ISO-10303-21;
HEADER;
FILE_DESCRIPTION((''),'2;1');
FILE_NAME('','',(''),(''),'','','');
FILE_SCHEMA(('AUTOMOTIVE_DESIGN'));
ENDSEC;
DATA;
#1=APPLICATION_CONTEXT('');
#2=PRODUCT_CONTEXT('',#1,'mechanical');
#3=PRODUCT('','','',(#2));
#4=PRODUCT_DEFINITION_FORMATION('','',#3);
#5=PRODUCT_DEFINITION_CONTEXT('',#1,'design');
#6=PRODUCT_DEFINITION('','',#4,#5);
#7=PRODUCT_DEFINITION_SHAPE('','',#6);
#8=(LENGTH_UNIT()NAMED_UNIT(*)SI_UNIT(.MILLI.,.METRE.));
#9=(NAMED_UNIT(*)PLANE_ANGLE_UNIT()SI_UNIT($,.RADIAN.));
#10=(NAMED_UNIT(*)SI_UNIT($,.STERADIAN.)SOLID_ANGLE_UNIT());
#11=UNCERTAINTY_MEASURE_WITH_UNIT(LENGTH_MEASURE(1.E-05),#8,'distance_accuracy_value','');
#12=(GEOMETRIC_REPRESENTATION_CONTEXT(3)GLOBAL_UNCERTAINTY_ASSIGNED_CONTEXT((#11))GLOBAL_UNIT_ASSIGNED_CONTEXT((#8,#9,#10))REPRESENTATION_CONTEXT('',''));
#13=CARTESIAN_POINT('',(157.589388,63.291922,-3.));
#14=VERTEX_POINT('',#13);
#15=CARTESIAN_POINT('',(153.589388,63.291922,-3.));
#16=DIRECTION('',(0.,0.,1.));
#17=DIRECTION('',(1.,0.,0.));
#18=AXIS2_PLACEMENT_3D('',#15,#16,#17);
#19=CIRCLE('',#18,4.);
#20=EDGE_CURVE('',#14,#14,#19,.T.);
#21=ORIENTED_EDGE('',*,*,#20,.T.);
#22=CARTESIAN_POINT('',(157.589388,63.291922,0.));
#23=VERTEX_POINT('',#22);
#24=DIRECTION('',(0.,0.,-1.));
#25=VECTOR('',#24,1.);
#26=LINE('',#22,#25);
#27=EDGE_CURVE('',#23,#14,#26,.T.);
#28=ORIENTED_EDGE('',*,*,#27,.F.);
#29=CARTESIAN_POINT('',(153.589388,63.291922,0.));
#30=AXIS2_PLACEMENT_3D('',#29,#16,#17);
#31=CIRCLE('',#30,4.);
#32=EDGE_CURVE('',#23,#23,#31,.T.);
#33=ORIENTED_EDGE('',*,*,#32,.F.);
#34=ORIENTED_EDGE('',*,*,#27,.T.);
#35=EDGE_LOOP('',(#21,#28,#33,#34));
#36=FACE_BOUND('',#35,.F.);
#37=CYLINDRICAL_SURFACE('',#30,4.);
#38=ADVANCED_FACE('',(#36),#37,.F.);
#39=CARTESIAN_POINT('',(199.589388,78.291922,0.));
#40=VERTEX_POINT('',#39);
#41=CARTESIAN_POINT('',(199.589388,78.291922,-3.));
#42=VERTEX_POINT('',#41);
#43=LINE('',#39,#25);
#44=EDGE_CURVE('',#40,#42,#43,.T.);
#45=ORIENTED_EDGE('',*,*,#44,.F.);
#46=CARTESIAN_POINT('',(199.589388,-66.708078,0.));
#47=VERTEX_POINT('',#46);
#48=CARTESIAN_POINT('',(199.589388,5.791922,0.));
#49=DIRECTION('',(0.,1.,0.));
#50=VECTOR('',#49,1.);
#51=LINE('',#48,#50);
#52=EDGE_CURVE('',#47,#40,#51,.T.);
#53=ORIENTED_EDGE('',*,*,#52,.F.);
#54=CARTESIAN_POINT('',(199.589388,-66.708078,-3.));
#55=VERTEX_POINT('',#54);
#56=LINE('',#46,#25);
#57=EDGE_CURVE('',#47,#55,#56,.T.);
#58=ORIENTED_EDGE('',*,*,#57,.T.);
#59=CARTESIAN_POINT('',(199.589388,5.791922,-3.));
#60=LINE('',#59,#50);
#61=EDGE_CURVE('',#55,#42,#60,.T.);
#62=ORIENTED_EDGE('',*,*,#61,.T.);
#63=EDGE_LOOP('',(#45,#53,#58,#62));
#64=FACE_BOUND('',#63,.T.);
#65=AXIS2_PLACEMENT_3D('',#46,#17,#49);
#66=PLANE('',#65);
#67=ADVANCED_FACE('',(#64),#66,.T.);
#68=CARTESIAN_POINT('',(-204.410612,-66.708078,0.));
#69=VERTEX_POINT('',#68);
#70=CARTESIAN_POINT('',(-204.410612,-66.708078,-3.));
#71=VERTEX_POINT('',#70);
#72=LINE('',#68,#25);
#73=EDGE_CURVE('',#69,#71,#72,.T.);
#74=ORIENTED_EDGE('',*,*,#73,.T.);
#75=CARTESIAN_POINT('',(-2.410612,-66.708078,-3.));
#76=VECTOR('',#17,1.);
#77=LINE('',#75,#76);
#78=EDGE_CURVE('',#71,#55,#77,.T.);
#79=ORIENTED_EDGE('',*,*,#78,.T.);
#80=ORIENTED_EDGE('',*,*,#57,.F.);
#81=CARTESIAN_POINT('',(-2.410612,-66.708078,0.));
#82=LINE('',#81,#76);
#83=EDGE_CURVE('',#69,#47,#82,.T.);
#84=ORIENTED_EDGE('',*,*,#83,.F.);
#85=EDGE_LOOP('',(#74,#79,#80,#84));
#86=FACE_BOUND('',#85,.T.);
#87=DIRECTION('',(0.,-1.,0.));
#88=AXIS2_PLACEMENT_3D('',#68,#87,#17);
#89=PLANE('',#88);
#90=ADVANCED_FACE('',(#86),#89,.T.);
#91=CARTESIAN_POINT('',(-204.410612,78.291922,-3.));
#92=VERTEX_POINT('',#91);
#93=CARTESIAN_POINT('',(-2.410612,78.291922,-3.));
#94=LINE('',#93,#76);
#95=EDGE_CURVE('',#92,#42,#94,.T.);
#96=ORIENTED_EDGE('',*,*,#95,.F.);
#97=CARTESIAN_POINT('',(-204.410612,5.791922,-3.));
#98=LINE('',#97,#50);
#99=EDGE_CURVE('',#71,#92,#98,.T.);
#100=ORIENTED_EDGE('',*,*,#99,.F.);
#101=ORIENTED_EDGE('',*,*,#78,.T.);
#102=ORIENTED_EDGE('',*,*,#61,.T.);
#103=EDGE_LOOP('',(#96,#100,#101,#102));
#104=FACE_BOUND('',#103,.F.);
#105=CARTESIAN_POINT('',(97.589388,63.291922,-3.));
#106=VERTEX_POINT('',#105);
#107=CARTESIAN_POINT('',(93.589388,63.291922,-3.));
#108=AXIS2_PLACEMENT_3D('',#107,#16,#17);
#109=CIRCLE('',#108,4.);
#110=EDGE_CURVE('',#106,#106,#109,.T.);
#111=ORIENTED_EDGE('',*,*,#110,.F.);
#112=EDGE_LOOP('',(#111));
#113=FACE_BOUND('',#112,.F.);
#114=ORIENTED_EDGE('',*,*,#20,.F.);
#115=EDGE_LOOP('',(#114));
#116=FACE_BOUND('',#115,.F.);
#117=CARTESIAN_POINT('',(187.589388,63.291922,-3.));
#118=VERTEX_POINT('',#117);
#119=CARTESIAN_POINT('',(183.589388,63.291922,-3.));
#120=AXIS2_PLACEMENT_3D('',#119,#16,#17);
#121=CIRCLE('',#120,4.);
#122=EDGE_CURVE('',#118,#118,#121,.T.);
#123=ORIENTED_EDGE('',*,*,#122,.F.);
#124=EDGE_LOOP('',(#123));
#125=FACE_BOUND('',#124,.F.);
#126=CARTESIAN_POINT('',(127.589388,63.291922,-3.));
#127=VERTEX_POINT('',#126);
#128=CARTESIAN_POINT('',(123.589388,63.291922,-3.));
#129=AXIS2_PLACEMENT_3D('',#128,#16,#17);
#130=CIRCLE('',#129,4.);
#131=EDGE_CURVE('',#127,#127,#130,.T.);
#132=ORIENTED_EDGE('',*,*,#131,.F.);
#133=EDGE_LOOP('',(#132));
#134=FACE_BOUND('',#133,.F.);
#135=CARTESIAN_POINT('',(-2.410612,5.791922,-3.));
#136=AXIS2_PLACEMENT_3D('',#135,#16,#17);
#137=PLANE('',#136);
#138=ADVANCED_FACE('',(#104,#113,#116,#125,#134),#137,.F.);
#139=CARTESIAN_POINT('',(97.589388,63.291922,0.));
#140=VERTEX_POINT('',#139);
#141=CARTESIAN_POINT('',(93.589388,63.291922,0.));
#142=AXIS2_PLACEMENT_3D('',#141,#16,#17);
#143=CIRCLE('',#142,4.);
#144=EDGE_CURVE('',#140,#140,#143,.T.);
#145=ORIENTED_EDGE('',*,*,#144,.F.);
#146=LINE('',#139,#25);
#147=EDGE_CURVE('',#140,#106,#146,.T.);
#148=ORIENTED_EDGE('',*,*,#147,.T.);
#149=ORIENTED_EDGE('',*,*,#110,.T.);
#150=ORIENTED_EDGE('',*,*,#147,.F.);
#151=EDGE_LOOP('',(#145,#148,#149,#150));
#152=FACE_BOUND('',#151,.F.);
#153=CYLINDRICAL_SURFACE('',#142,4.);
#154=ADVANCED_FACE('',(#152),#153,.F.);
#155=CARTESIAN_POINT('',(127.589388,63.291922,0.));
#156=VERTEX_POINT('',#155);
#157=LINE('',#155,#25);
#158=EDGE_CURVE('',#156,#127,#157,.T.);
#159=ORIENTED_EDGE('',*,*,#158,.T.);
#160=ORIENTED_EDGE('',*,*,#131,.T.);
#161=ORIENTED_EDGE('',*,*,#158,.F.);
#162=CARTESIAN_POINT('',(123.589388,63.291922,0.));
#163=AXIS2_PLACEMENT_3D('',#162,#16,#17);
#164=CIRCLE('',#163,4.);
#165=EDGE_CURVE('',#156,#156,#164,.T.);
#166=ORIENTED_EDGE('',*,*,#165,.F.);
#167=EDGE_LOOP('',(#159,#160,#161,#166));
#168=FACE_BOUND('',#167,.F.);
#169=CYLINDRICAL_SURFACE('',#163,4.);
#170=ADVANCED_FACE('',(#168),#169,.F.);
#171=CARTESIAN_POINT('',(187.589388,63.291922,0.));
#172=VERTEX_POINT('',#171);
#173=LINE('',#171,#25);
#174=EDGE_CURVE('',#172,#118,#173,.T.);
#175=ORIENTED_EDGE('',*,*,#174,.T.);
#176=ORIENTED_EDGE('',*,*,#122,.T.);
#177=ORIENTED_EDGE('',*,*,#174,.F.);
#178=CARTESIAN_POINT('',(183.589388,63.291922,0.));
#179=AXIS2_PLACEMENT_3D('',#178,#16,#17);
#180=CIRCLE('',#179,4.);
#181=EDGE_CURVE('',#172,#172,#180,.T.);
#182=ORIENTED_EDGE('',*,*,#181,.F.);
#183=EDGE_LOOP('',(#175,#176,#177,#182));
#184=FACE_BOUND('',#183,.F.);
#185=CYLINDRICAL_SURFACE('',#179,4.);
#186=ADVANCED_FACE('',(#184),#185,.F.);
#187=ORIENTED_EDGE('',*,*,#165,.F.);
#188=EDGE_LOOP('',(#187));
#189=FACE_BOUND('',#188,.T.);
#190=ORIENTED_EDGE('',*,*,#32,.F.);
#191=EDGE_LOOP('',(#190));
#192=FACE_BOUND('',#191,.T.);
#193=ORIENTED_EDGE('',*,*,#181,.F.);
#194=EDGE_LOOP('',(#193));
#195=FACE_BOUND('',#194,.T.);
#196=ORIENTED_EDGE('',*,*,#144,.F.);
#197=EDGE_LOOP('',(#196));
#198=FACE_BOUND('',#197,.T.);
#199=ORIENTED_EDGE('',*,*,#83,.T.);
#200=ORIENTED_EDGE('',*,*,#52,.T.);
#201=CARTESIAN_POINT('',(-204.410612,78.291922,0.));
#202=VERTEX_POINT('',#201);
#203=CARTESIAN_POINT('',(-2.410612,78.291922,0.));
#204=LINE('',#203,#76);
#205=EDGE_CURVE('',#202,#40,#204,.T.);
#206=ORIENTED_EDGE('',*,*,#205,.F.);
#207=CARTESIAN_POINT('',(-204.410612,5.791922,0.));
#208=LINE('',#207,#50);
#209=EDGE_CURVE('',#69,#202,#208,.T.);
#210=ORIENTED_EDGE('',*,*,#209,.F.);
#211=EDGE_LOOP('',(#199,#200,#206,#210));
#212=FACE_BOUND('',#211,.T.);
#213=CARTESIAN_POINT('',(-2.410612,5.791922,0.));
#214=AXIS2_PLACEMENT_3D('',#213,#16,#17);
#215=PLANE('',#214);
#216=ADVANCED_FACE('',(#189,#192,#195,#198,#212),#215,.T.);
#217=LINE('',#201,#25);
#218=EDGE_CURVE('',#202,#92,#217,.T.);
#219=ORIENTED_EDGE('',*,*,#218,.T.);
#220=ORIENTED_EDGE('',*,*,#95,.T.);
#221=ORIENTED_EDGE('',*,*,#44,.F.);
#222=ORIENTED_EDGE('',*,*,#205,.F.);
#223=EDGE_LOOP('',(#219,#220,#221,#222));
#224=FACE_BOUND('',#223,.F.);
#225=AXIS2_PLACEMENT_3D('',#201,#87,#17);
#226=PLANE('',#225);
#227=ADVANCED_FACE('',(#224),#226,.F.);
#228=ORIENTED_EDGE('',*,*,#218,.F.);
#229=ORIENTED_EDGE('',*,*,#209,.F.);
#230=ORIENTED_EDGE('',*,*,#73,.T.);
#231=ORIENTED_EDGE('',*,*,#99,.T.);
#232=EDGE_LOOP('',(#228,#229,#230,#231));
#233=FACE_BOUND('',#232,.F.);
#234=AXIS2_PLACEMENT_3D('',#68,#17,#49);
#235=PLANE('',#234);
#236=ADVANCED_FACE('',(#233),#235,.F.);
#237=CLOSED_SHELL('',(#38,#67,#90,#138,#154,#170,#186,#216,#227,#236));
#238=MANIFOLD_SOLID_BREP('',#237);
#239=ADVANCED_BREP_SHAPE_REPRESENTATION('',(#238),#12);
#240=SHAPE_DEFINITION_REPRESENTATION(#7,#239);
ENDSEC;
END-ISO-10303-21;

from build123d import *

# Parameters (mm, degrees)
F0_W     = 404
F0_H     = 145
F0_R     = 4
F1_DEPTH = 3


with BuildPart() as f1:
    # F0 (on Top) → F1 (new body)
    with BuildSketch(Plane.XY):
        with Locations((-2.410612, 5.791922)):
            Rectangle(F0_W, F0_H)
        with Locations((93.589388, 63.291922)):
            Circle(F0_R, mode=Mode.SUBTRACT)
        with Locations((123.589388, 63.291922)):
            Circle(F0_R, mode=Mode.SUBTRACT)
        with Locations((153.589388, 63.291922)):
            Circle(F0_R, mode=Mode.SUBTRACT)
        with Locations((183.589388, 63.291922)):
            Circle(F0_R, mode=Mode.SUBTRACT)
    extrude(amount=-F1_DEPTH)


solid = f1.part
